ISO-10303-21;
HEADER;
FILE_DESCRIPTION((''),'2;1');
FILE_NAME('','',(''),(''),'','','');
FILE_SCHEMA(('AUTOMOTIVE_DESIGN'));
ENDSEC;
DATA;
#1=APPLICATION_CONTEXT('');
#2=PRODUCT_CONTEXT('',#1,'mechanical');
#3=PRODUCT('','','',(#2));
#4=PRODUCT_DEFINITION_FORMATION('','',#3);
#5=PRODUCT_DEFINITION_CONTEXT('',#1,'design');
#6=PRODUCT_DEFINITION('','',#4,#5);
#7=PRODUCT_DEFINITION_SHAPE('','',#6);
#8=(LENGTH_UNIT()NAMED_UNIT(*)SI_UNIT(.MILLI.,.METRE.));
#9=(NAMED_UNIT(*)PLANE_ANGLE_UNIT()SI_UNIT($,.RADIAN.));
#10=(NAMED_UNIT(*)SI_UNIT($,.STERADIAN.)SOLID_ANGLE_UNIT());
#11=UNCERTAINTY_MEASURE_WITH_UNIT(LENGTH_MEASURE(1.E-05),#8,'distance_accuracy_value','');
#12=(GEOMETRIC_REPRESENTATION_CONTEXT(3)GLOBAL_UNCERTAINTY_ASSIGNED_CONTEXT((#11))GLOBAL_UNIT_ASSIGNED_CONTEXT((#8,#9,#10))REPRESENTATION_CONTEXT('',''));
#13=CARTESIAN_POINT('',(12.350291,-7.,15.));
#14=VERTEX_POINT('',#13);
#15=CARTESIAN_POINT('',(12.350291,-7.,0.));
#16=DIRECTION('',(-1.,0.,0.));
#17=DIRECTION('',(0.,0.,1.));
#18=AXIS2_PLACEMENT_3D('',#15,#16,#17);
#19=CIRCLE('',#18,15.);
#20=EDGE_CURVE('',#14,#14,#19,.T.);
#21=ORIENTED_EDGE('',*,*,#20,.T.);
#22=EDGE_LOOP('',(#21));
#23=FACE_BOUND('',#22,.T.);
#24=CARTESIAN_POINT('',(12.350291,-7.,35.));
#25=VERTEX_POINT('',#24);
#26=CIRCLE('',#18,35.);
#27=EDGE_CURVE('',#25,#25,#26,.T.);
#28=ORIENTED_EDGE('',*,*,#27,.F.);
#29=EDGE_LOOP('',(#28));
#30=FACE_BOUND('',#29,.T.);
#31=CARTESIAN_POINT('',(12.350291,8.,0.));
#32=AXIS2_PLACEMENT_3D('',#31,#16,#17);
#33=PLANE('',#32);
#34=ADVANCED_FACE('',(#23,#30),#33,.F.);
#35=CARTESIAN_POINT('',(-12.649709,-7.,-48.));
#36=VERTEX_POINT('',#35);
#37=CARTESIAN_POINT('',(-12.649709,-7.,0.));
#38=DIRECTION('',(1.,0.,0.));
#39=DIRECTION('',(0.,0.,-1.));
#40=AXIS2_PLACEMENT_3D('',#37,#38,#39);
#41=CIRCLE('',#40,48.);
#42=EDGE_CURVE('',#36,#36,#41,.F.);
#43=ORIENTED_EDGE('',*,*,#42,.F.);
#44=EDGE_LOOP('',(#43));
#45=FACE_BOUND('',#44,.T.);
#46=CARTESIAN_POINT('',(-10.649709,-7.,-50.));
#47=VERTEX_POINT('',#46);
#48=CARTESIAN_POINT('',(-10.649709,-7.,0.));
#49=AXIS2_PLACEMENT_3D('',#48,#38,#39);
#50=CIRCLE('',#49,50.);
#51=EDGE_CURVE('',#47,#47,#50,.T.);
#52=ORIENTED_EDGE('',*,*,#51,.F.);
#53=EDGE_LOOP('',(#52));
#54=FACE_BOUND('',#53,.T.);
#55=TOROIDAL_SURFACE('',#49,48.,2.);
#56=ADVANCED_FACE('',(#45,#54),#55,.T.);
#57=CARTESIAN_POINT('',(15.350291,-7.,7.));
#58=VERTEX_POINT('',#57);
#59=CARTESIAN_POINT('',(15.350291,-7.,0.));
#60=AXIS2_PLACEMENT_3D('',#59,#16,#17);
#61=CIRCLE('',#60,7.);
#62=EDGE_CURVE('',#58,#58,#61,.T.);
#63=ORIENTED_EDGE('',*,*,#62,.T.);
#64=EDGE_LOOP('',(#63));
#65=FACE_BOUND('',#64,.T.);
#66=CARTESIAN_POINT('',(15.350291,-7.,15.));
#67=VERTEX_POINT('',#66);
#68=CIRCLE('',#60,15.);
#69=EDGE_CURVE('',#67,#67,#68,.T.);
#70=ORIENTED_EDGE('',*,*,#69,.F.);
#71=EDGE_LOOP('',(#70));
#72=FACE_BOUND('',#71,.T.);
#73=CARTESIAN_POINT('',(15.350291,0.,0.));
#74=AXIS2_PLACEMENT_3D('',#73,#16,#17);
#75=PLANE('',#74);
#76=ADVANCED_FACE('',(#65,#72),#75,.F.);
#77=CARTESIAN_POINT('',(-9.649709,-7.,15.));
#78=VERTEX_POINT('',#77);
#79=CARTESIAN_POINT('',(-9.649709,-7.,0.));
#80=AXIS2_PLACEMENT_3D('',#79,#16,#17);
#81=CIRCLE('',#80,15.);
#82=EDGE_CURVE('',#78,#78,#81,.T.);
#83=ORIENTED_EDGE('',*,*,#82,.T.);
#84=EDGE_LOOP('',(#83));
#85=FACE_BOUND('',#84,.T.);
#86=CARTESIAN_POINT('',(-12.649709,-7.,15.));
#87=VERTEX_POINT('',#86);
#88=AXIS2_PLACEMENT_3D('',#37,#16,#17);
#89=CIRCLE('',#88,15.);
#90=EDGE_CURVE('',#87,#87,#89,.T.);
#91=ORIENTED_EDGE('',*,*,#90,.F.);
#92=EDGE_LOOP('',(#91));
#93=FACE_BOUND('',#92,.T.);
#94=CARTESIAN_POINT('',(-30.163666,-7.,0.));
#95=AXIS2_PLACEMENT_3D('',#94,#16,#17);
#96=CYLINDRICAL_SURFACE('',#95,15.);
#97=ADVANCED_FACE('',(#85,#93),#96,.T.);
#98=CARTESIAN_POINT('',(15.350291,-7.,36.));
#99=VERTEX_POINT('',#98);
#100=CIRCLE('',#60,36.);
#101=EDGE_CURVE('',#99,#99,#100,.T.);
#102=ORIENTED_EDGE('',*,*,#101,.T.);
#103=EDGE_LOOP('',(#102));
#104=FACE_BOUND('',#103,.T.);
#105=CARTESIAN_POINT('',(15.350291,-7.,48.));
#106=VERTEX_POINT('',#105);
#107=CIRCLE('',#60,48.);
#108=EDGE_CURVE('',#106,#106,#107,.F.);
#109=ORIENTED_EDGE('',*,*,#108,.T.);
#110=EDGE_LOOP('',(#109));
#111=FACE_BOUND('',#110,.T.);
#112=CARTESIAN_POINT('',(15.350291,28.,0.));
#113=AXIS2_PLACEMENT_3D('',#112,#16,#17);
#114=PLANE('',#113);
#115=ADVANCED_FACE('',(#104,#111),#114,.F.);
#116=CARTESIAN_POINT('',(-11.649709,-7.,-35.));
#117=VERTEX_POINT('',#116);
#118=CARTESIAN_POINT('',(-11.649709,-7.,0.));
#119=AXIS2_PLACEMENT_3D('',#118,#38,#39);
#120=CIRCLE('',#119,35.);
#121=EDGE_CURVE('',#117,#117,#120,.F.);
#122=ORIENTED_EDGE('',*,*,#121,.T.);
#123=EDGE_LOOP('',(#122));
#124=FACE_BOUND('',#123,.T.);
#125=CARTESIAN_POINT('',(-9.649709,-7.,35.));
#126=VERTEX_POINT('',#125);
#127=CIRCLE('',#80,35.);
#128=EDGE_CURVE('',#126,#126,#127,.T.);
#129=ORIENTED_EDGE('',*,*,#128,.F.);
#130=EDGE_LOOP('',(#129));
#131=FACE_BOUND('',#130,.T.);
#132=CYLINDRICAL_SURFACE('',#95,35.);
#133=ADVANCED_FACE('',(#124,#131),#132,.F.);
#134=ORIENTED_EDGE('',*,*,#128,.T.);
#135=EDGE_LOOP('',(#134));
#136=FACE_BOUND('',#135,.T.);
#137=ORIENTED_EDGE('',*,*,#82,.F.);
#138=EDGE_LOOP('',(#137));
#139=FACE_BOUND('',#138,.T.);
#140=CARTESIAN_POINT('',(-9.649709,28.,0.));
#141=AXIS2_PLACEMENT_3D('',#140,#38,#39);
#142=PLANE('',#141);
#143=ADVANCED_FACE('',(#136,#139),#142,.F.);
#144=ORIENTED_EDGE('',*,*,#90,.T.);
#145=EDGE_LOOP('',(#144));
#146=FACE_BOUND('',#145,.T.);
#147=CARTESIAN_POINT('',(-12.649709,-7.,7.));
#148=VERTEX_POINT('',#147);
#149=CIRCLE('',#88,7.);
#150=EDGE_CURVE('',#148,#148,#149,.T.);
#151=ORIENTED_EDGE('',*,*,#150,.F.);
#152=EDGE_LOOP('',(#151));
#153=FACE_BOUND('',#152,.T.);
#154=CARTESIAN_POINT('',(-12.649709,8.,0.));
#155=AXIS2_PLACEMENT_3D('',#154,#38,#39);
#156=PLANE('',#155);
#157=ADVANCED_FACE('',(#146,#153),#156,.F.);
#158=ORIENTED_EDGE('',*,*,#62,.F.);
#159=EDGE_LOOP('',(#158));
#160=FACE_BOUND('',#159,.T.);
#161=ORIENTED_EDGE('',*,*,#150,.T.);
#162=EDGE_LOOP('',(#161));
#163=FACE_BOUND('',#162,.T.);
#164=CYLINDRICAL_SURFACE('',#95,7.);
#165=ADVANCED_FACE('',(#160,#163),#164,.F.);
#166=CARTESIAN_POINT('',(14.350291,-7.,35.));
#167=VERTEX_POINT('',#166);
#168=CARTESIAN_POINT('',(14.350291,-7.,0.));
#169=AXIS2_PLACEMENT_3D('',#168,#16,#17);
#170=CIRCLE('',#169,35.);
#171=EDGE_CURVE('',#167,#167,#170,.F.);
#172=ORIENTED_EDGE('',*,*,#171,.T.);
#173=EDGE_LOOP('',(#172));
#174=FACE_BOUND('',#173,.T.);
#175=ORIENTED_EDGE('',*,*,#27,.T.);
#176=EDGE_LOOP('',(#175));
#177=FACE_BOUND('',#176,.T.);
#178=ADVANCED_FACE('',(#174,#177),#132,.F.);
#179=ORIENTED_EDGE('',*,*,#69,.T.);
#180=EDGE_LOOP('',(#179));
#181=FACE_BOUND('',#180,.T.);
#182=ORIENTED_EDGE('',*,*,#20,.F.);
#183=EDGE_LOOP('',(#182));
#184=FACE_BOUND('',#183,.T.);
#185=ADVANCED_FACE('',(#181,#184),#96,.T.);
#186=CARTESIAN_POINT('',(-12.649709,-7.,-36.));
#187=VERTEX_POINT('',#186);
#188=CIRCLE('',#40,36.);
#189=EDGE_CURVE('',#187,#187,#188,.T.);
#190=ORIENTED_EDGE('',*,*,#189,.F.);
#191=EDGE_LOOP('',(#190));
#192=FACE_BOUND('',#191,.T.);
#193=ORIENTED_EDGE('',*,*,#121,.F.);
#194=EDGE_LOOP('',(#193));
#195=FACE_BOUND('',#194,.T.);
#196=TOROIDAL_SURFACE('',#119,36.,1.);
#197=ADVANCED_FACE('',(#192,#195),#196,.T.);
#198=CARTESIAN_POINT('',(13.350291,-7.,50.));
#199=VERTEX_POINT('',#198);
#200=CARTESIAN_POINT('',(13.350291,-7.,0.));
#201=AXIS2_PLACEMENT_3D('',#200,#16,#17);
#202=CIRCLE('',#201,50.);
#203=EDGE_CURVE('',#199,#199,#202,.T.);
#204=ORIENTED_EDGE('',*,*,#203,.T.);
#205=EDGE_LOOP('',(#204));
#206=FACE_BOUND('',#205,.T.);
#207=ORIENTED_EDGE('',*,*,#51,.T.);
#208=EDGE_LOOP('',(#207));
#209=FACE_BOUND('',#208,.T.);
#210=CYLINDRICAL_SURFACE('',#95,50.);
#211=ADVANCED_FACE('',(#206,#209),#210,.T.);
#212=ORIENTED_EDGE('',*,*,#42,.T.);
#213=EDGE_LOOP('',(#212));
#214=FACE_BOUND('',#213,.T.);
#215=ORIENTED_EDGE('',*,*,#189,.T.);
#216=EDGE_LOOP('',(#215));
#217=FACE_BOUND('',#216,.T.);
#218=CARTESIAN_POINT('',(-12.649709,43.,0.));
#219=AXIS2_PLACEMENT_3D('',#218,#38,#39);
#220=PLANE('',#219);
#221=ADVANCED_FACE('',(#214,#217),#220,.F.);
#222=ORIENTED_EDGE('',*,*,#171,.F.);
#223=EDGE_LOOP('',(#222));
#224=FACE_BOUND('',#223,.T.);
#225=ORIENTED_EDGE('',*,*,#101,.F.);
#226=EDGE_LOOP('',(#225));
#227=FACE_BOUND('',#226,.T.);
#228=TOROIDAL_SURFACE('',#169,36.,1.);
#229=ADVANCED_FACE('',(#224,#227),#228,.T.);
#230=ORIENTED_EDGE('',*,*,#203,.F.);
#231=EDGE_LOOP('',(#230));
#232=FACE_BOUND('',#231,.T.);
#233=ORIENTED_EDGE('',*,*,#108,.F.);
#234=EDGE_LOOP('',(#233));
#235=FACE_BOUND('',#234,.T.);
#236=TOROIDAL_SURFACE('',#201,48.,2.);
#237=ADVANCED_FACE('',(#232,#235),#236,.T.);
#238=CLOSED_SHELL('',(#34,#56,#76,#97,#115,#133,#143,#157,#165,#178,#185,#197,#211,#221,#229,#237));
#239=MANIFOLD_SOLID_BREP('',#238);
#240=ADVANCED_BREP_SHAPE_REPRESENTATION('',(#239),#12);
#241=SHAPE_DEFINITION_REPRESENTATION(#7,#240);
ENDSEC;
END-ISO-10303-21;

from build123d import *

# Parameters (mm, degrees)
REDONDEO1_R = 2
REDONDEO2_R = 2
REDONDEO3_R = 1
REDONDEO4_R = 1


with BuildPart() as part:
    # Croquis1 → Revolución1 (revolve)
    with BuildSketch(Plane.XY):
        Polygon((-12.649708752, 0), (15.350291248, 0), (15.350291248, 8), (12.350291248, 8), (12.350291248, 28), (15.350291248, 28), (15.350291248, 43), (-12.649708752, 43), (-12.649708752, 28), (-9.649708752, 28), (-9.649708752, 8), (-12.649708752, 8), align=None)
    revolve(axis=Axis((-30.163665743, -7, 0), (1, 0, 0)))

    # Redondeo1
    redondeo1_edges = [part.edges().sort_by_distance(p)[0] for p in [
        (15.350291248, -57, 0),
    ]]
    fillet(redondeo1_edges, radius=REDONDEO1_R)

    # Redondeo2
    redondeo2_edges = [part.edges().sort_by_distance(p)[0] for p in [
        (-12.649708752, -57, 0),
    ]]
    fillet(redondeo2_edges, radius=REDONDEO2_R)

    # Redondeo3
    redondeo3_edges = [part.edges().sort_by_distance(p)[0] for p in [
        (-12.649708752, -42, 0),
    ]]
    fillet(redondeo3_edges, radius=REDONDEO3_R)

    # Redondeo4
    redondeo4_edges = [part.edges().sort_by_distance(p)[0] for p in [
        (15.350291248, -42, 0),
    ]]
    fillet(redondeo4_edges, radius=REDONDEO4_R)


solid = part.part
